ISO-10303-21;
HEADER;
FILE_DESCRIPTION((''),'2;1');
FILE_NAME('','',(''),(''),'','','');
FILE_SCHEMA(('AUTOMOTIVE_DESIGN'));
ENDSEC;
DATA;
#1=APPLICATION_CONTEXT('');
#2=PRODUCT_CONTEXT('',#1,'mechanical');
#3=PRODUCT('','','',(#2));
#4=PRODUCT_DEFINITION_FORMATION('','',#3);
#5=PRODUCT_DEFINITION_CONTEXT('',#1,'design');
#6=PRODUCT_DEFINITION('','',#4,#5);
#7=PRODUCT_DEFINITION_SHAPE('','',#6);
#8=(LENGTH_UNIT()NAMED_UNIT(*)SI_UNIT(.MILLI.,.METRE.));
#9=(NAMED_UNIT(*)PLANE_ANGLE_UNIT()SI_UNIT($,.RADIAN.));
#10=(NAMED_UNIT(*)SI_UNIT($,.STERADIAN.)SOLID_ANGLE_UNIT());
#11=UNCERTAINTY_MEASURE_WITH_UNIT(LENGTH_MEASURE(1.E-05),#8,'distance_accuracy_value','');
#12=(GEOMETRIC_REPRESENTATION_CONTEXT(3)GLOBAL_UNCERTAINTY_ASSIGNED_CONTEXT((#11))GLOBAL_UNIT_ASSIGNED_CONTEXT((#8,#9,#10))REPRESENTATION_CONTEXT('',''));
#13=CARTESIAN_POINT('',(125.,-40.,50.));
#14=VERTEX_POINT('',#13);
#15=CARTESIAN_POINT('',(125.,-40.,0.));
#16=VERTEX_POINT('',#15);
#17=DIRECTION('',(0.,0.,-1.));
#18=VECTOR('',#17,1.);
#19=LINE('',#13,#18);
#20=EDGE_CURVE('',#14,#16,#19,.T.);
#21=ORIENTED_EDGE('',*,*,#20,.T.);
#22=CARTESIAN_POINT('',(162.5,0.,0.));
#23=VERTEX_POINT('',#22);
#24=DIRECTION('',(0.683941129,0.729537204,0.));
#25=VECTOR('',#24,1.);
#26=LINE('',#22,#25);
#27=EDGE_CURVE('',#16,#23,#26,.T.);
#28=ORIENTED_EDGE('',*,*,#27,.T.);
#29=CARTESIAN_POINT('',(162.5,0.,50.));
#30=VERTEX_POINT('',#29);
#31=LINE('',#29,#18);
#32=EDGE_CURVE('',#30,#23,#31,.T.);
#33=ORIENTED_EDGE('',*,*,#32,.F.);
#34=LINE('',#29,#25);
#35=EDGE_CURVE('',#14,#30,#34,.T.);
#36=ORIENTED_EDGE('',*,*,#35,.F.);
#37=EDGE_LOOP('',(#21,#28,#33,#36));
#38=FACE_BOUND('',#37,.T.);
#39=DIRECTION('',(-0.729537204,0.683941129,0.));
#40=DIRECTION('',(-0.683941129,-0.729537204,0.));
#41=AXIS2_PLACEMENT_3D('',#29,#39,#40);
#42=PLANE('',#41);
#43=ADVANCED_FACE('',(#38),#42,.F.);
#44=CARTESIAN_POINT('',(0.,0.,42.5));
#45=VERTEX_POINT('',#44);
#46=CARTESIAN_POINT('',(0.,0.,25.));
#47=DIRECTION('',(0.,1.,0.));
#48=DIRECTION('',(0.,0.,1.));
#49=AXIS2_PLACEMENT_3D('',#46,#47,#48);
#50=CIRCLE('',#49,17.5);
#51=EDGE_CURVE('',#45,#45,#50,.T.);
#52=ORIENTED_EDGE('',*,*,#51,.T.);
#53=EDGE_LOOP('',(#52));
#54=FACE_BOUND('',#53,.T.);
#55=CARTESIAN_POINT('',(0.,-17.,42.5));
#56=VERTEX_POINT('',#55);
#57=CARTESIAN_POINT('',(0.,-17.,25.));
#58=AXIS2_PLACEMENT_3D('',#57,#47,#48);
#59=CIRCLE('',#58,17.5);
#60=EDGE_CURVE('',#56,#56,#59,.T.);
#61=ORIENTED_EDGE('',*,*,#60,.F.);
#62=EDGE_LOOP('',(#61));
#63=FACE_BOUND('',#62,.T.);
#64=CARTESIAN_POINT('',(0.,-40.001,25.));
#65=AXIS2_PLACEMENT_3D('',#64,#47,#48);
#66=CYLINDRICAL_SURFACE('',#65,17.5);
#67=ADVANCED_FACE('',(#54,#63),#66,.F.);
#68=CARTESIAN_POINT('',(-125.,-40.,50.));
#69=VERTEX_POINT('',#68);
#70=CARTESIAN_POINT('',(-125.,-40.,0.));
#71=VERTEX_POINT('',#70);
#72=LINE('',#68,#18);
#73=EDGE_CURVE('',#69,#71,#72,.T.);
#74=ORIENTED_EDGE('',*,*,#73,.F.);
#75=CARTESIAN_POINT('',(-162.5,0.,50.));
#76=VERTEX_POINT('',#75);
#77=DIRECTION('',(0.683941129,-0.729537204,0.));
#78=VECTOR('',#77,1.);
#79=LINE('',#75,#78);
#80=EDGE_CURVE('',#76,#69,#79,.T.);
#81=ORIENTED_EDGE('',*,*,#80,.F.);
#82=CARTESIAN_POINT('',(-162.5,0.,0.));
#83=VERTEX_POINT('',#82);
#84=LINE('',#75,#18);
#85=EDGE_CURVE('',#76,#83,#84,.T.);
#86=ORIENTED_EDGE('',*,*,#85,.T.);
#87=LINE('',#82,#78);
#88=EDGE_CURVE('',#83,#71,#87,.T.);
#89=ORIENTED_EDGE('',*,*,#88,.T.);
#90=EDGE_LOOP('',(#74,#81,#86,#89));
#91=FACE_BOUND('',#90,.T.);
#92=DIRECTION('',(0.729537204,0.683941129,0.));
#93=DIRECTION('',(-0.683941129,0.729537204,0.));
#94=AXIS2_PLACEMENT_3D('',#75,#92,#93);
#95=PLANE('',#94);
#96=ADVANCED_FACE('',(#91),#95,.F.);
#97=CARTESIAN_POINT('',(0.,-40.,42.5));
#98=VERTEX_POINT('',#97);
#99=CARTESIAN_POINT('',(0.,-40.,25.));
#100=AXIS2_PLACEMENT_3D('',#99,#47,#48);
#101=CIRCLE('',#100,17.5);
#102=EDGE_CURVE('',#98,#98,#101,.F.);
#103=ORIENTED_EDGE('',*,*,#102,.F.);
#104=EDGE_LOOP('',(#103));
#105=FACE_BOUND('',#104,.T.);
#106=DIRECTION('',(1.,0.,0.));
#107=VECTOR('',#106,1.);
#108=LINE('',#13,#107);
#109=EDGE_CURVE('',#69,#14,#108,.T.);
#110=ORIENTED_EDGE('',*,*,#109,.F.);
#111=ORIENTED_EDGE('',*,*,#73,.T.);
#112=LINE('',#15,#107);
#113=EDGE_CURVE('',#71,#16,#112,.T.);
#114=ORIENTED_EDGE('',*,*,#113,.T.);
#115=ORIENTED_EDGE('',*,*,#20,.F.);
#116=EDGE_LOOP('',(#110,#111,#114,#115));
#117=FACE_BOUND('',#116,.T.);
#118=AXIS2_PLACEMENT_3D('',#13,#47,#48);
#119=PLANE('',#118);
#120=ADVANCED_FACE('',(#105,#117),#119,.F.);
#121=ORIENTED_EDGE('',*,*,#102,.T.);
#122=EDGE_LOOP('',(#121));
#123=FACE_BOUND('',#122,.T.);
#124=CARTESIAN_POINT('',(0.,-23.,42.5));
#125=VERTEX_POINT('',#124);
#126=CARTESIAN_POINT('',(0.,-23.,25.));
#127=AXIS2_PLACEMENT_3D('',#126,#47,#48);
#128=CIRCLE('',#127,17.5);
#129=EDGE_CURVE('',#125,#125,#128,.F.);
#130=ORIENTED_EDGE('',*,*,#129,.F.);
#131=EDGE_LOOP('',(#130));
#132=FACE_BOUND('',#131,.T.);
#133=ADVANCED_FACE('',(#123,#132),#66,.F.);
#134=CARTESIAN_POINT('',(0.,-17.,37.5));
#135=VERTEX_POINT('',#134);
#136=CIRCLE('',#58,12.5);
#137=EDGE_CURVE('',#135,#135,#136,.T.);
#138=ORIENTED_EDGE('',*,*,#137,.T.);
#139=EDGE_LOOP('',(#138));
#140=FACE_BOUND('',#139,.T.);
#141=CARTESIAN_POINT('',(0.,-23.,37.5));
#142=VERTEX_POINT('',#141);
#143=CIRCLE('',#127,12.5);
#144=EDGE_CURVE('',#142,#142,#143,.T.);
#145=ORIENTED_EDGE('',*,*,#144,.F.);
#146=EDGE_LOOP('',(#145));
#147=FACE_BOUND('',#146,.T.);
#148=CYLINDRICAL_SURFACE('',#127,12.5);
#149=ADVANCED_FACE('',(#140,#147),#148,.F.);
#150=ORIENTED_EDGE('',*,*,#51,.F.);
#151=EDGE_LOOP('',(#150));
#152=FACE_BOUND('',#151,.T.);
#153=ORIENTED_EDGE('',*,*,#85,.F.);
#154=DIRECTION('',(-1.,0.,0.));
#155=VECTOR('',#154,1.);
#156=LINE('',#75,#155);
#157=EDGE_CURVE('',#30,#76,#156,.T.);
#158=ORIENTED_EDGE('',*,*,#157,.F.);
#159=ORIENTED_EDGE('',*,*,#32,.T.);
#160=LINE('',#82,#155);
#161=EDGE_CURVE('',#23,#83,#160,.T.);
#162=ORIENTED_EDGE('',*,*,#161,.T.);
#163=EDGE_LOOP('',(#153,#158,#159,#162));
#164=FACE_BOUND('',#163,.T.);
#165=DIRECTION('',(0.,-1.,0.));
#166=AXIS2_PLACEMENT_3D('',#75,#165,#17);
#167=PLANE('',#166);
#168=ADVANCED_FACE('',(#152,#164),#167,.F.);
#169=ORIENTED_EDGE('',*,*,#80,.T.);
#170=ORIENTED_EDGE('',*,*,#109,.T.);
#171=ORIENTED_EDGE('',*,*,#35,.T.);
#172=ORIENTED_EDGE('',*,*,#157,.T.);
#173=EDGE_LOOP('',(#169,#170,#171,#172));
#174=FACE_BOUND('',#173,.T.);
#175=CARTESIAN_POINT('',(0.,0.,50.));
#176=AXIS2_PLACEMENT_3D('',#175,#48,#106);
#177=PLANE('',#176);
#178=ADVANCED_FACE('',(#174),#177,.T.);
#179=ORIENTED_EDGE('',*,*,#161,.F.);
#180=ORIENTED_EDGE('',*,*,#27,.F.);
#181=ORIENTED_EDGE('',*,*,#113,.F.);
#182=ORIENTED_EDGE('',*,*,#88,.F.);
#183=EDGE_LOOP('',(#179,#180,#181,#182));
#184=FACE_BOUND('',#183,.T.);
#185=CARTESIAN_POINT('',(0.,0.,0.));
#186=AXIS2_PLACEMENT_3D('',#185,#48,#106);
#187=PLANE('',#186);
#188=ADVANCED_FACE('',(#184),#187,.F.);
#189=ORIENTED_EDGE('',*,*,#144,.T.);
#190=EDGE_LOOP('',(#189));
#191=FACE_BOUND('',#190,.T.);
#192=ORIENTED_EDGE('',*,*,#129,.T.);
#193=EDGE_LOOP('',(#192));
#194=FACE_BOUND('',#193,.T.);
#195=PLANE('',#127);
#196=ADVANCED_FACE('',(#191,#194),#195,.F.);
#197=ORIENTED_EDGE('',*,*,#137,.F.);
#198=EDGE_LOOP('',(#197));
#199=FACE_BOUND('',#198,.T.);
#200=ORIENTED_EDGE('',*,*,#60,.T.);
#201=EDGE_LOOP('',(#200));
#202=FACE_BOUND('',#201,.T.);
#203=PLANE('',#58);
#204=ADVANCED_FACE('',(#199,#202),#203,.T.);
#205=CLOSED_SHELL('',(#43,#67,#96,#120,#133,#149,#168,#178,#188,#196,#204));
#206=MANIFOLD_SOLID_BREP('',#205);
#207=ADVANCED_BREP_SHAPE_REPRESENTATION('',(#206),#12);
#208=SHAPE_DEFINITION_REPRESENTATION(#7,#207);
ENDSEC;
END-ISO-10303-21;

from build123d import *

# Parameters (mm, degrees)
BOSS_EXTRUDE1_DEPTH      = 50
CUT_EXTRUDE1_REACH       = 176.66
SKETCH2_R                = 17.5
BOSS_EXTRUDE2_DEPTH      = 3
BOSS_EXTRUDE2_DEPTH_BACK = 3
SKETCH3_R                = 17.5
SKETCH3_R_2              = 12.5


with BuildPart() as part:
    # Sketch1 → Boss-Extrude1 (new body)
    with BuildSketch(Plane.XY):
        Polygon((-162.5, 0), (162.5, 0), (125, -40), (-125, -40), align=None)
    extrude(amount=BOSS_EXTRUDE1_DEPTH)

    # Sketch2 → Cut-Extrude1 (cut, up to next)
    with BuildSketch(Plane(origin=(0, 0, 0), x_dir=(1, 0, 0), z_dir=(0, 1, 0)), mode=Mode.PRIVATE) as cut_extrude1_sk1:
        with Locations(Location((0, -25, 0), (0, 0, 270))):
            Circle(SKETCH2_R)
    cut_extrude1_tool1 = extrude(cut_extrude1_sk1.sketch, amount=-CUT_EXTRUDE1_REACH, mode=Mode.PRIVATE) & part.part
    add(cut_extrude1_tool1.solids().sort_by_distance((0, 0, 25))[0], mode=Mode.SUBTRACT)

    # Sketch3 → Boss-Extrude2 (add, two sides: drawn at the far end of the back side and taken through both)
    with BuildSketch(Plane(origin=(0, -20, 0), x_dir=(1, 0, 0), z_dir=(0, 1, 0)).offset(-BOSS_EXTRUDE2_DEPTH_BACK)):
        with Locations(Location((0, -25, 0), (0, 0, 270))):
            Circle(SKETCH3_R)
        with Locations(Location((0, -25, 0), (0, 0, 270))):
            Circle(SKETCH3_R_2, mode=Mode.SUBTRACT)
    extrude(amount=BOSS_EXTRUDE2_DEPTH + BOSS_EXTRUDE2_DEPTH_BACK)


solid = part.part
